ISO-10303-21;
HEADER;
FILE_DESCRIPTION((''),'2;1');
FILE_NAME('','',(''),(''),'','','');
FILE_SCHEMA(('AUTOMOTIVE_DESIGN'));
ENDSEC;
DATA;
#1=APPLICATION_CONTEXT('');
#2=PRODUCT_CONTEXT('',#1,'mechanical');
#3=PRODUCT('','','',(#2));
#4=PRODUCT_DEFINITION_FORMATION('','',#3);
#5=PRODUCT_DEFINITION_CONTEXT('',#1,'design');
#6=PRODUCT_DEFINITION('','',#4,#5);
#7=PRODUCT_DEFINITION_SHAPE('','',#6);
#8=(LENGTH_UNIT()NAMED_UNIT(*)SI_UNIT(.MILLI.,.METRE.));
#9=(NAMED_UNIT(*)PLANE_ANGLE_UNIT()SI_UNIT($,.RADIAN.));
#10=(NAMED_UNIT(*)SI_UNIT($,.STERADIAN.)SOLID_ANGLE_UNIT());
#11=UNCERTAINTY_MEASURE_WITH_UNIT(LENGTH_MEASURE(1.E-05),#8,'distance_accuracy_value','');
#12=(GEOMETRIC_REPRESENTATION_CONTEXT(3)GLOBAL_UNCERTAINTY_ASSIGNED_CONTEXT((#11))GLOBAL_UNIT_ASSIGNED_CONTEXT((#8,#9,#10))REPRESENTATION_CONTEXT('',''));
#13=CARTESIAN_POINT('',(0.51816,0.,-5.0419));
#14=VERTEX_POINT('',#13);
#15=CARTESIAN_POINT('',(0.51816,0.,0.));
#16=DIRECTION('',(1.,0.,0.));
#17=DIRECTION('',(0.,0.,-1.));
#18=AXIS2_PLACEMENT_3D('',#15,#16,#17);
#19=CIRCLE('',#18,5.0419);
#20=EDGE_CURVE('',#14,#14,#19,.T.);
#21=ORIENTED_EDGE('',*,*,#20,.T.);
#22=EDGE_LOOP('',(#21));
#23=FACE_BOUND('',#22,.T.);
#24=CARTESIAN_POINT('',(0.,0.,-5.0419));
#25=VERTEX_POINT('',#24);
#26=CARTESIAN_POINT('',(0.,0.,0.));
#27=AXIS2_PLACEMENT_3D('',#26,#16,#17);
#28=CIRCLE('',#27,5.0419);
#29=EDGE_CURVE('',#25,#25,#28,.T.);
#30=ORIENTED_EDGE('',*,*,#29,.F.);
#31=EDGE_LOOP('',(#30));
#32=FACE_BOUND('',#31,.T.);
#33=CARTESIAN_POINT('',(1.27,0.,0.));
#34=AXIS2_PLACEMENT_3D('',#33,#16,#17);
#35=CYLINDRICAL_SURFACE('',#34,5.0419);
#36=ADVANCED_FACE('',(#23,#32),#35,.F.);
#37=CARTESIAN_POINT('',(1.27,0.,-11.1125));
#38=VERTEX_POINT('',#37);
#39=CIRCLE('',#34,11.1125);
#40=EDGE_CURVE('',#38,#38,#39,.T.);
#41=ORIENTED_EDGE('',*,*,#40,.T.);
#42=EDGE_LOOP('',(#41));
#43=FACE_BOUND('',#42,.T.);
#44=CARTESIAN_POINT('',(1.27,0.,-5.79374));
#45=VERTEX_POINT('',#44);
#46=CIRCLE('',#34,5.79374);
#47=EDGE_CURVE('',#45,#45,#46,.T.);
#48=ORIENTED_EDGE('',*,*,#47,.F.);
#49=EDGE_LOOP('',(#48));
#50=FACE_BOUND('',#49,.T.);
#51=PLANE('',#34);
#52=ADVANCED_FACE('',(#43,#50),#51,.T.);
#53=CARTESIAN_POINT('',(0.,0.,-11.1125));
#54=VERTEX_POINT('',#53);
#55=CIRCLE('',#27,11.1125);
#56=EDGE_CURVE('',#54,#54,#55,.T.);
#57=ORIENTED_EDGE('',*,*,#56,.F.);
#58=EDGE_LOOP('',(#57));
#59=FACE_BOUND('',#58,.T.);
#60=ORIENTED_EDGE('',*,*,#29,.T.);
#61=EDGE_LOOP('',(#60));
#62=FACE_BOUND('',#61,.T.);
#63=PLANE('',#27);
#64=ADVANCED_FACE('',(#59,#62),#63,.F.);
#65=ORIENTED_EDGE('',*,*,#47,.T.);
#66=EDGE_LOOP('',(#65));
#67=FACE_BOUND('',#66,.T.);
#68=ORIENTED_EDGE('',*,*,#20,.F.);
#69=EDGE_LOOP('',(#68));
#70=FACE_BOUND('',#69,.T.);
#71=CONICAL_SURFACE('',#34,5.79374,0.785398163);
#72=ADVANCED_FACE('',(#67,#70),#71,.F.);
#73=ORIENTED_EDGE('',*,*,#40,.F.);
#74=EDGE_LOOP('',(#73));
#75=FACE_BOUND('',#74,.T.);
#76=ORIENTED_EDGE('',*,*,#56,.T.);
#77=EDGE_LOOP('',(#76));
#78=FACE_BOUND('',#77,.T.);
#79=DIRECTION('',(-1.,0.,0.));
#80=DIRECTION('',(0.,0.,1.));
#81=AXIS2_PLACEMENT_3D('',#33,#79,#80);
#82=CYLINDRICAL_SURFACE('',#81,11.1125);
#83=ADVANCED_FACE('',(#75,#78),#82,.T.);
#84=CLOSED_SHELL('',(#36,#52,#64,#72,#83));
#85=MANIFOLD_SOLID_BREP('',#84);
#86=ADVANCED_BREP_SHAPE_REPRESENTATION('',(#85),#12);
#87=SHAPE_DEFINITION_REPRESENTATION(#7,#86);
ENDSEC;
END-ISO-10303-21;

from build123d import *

# Parameters (mm, degrees)
SKETCH1_R           = 11.1125
BOSS_EXTRUDE1_DEPTH = 1.27


with BuildPart() as part:
    # Sketch1 → Boss-Extrude1 (new body)
    with BuildSketch(Plane(origin=(0, 0, 0), x_dir=(0, 0, -1), z_dir=(1, 0, 0))):
        Circle(SKETCH1_R)
    extrude(amount=BOSS_EXTRUDE1_DEPTH)

    # Sketch2 → 3/8 Clearance Hole1 (revolve, cut)
    with BuildSketch(Plane(origin=(1.27, 0, 0), x_dir=(0, 0, -1), z_dir=(0, 1, 0))):
        Polygon((0, 0), (0, 1.27), (5.0419, 1.27), (5.0419, 0.75184), (5.79374, 0), align=None)
    revolve(axis=Axis((7.62, 0, 0), (-1, 0, 0)), mode=Mode.SUBTRACT)


solid = part.part
